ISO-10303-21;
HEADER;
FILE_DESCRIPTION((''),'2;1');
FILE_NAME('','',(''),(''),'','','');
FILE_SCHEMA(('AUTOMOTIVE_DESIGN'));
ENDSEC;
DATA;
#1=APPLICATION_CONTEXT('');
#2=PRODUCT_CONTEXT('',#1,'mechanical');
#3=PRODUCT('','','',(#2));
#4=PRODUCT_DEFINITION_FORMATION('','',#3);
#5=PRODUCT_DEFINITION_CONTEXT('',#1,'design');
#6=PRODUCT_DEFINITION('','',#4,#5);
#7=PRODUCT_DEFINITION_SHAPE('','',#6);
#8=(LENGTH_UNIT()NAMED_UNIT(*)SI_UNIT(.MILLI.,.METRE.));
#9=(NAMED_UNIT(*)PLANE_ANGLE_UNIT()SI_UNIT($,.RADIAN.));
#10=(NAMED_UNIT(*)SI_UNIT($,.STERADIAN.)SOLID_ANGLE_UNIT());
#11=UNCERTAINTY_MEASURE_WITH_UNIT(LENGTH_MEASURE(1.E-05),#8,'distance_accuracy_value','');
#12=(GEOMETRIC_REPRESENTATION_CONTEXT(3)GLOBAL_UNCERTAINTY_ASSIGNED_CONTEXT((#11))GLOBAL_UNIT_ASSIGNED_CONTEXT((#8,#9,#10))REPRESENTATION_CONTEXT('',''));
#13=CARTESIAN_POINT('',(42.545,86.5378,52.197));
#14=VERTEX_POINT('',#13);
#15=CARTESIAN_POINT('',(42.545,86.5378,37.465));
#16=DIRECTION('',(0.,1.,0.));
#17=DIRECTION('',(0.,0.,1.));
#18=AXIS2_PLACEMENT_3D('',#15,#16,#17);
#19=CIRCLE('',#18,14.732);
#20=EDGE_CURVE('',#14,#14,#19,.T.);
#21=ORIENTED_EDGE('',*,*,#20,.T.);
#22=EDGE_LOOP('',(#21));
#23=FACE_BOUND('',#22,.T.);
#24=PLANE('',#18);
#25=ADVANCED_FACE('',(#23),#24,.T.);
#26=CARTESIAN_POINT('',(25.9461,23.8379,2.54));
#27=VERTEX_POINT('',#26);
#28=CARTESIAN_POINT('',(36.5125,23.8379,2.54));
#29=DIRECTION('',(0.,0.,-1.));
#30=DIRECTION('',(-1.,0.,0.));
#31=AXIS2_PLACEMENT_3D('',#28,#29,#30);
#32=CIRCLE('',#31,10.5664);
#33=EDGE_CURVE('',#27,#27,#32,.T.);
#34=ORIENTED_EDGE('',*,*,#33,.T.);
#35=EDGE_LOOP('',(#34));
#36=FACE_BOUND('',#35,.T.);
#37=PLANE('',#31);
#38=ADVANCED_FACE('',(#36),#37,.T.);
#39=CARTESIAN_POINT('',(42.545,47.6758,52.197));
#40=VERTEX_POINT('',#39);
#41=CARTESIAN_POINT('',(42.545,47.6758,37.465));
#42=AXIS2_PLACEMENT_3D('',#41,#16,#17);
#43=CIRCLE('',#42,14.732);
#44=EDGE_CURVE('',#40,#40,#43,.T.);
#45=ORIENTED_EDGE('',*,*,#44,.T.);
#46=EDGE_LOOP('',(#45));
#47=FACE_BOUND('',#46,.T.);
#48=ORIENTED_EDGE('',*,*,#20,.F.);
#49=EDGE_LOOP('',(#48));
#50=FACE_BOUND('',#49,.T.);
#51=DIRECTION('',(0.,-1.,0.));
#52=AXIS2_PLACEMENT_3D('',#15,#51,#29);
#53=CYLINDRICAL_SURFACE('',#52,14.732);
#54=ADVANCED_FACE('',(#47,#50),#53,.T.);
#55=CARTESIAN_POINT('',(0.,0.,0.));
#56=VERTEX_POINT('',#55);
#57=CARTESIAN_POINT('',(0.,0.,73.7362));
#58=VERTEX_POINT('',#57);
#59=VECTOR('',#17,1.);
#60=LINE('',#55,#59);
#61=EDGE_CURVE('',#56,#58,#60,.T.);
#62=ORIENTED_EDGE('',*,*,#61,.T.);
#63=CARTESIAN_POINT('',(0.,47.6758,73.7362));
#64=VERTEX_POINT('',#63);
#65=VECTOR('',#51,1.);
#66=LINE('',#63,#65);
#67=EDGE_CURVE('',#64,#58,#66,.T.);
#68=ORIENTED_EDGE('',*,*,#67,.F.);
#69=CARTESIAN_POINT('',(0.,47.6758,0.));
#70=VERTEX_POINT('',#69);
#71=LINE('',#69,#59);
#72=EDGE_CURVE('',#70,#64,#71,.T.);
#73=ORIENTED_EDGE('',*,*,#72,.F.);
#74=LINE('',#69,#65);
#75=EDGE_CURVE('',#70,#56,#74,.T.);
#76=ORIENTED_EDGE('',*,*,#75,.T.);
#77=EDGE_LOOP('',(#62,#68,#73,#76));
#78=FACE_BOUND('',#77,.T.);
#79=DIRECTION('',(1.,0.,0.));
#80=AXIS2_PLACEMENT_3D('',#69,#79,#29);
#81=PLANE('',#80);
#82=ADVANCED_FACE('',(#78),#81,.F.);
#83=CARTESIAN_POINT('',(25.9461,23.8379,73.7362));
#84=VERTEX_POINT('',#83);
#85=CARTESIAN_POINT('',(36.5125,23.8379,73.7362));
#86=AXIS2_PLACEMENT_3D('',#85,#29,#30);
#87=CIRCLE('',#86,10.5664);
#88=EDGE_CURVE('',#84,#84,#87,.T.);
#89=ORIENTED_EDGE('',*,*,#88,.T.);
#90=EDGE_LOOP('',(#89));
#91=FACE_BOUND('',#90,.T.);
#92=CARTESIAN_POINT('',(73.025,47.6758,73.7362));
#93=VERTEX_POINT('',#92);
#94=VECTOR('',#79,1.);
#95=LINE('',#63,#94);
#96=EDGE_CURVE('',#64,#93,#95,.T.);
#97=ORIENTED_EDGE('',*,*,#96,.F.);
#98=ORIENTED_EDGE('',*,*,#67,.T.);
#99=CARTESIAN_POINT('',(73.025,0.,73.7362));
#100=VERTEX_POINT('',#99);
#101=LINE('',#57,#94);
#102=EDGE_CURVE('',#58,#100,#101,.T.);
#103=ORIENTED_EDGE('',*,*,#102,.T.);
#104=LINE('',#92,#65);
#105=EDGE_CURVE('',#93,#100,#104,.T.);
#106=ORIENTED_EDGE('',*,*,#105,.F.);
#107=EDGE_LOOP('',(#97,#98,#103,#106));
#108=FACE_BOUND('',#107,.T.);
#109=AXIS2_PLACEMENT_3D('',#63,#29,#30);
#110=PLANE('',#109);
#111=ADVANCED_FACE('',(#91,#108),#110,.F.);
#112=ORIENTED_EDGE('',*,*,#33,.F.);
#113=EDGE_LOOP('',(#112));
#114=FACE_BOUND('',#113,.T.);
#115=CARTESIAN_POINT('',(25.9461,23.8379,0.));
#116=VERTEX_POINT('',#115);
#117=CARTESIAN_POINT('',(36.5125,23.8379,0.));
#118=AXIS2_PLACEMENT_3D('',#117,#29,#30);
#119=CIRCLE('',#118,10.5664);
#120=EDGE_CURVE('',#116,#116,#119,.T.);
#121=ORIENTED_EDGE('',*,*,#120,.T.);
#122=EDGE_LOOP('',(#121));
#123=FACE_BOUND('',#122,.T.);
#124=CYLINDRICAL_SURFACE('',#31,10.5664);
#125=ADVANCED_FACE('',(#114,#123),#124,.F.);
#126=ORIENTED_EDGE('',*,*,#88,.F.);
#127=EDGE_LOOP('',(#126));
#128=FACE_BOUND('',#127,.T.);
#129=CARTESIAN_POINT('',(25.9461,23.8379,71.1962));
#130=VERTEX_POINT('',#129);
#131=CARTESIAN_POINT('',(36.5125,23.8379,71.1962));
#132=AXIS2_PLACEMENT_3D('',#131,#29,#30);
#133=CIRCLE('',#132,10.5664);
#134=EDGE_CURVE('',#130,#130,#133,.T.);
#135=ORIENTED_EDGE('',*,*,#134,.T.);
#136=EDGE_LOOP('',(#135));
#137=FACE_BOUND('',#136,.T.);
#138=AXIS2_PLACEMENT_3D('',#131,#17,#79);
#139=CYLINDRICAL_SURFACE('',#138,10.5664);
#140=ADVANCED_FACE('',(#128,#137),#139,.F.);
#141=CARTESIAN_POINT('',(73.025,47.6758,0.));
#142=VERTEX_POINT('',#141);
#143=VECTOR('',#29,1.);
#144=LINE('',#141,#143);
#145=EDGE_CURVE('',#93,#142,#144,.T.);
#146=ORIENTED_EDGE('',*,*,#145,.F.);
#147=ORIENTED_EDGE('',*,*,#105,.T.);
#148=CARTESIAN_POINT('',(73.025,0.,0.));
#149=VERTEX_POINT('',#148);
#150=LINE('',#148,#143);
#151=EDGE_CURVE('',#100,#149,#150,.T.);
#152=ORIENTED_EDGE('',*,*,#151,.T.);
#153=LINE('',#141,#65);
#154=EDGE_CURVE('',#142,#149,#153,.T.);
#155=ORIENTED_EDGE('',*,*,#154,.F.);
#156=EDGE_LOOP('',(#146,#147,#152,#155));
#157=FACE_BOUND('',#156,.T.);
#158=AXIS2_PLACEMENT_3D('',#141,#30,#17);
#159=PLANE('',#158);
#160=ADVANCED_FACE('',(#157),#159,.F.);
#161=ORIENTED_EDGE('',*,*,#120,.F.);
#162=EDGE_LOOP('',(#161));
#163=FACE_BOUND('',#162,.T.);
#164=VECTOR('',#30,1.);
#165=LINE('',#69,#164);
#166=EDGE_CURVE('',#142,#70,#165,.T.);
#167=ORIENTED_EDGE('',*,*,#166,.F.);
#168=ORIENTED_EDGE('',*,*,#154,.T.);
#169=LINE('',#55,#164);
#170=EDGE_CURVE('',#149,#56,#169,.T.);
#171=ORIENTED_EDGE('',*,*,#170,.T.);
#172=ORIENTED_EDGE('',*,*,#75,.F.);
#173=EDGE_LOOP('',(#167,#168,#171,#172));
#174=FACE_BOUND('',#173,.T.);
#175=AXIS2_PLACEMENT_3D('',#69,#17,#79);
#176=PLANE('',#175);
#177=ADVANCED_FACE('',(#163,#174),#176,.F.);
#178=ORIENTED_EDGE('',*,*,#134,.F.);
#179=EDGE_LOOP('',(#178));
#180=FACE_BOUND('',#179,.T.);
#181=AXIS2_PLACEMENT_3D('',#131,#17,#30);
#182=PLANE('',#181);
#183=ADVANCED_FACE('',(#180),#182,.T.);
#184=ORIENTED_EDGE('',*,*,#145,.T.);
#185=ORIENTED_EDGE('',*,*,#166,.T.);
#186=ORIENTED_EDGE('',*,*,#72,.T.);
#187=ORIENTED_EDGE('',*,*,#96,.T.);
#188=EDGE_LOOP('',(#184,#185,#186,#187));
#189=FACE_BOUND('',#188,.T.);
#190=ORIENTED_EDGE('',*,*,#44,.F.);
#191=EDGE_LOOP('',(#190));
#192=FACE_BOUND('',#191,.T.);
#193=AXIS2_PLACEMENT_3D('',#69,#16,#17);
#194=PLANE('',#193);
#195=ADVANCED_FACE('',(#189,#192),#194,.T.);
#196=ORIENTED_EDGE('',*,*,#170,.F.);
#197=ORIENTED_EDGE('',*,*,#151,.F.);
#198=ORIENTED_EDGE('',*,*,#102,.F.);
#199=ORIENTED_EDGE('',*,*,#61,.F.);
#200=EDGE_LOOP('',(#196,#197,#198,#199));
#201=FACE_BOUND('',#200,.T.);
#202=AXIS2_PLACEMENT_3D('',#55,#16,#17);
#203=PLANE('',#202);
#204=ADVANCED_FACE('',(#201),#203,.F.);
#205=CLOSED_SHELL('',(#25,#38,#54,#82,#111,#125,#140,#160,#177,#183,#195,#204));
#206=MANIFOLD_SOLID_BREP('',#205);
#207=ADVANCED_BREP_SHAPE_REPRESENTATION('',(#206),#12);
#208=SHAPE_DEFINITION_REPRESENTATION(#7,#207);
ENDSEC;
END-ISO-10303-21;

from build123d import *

# Parameters (mm, degrees)
SKETCH1_W           = 73.025
SKETCH1_H           = 73.7362
BOSS_EXTRUDE1_DEPTH = 47.6758
SKETCH2_R           = 10.5664
CUT_EXTRUDE1_DEPTH  = 2.54
SKETCH3_R           = 14.732
BOSS_EXTRUDE2_DEPTH = 38.862


with BuildPart() as part:
    # Sketch1 → Boss-Extrude1 (new body)
    with BuildSketch(Plane(origin=(0, 0, 0), x_dir=(1, 0, 0), z_dir=(0, 1, 0))):
        with Locations((36.5125, -36.8681)):
            Rectangle(SKETCH1_W, SKETCH1_H)
    extrude(amount=BOSS_EXTRUDE1_DEPTH)

    # Sketch2 → Cut-Extrude1 (cut)
    with BuildSketch(Plane(origin=(0, 0, 0), x_dir=(-1, 0, 0), z_dir=(0, 0, -1))):
        with Locations((-36.5125, 23.8379)):
            Circle(SKETCH2_R)
    cut_extrude1 = extrude(amount=-CUT_EXTRUDE1_DEPTH, mode=Mode.SUBTRACT)

    # Sketch3 → Boss-Extrude2 (add)
    with BuildSketch(Plane(origin=(0, 47.6758, 0), x_dir=(1, 0, 0), z_dir=(0, 1, 0))):
        with Locations((42.545, -37.465)):
            Circle(SKETCH3_R)
    extrude(amount=BOSS_EXTRUDE2_DEPTH)

    # Mirror1: Cut-Extrude1 across plane
    add(cut_extrude1.mirror(Plane.XY.offset(36.8681)), mode=Mode.SUBTRACT)


solid = part.part
